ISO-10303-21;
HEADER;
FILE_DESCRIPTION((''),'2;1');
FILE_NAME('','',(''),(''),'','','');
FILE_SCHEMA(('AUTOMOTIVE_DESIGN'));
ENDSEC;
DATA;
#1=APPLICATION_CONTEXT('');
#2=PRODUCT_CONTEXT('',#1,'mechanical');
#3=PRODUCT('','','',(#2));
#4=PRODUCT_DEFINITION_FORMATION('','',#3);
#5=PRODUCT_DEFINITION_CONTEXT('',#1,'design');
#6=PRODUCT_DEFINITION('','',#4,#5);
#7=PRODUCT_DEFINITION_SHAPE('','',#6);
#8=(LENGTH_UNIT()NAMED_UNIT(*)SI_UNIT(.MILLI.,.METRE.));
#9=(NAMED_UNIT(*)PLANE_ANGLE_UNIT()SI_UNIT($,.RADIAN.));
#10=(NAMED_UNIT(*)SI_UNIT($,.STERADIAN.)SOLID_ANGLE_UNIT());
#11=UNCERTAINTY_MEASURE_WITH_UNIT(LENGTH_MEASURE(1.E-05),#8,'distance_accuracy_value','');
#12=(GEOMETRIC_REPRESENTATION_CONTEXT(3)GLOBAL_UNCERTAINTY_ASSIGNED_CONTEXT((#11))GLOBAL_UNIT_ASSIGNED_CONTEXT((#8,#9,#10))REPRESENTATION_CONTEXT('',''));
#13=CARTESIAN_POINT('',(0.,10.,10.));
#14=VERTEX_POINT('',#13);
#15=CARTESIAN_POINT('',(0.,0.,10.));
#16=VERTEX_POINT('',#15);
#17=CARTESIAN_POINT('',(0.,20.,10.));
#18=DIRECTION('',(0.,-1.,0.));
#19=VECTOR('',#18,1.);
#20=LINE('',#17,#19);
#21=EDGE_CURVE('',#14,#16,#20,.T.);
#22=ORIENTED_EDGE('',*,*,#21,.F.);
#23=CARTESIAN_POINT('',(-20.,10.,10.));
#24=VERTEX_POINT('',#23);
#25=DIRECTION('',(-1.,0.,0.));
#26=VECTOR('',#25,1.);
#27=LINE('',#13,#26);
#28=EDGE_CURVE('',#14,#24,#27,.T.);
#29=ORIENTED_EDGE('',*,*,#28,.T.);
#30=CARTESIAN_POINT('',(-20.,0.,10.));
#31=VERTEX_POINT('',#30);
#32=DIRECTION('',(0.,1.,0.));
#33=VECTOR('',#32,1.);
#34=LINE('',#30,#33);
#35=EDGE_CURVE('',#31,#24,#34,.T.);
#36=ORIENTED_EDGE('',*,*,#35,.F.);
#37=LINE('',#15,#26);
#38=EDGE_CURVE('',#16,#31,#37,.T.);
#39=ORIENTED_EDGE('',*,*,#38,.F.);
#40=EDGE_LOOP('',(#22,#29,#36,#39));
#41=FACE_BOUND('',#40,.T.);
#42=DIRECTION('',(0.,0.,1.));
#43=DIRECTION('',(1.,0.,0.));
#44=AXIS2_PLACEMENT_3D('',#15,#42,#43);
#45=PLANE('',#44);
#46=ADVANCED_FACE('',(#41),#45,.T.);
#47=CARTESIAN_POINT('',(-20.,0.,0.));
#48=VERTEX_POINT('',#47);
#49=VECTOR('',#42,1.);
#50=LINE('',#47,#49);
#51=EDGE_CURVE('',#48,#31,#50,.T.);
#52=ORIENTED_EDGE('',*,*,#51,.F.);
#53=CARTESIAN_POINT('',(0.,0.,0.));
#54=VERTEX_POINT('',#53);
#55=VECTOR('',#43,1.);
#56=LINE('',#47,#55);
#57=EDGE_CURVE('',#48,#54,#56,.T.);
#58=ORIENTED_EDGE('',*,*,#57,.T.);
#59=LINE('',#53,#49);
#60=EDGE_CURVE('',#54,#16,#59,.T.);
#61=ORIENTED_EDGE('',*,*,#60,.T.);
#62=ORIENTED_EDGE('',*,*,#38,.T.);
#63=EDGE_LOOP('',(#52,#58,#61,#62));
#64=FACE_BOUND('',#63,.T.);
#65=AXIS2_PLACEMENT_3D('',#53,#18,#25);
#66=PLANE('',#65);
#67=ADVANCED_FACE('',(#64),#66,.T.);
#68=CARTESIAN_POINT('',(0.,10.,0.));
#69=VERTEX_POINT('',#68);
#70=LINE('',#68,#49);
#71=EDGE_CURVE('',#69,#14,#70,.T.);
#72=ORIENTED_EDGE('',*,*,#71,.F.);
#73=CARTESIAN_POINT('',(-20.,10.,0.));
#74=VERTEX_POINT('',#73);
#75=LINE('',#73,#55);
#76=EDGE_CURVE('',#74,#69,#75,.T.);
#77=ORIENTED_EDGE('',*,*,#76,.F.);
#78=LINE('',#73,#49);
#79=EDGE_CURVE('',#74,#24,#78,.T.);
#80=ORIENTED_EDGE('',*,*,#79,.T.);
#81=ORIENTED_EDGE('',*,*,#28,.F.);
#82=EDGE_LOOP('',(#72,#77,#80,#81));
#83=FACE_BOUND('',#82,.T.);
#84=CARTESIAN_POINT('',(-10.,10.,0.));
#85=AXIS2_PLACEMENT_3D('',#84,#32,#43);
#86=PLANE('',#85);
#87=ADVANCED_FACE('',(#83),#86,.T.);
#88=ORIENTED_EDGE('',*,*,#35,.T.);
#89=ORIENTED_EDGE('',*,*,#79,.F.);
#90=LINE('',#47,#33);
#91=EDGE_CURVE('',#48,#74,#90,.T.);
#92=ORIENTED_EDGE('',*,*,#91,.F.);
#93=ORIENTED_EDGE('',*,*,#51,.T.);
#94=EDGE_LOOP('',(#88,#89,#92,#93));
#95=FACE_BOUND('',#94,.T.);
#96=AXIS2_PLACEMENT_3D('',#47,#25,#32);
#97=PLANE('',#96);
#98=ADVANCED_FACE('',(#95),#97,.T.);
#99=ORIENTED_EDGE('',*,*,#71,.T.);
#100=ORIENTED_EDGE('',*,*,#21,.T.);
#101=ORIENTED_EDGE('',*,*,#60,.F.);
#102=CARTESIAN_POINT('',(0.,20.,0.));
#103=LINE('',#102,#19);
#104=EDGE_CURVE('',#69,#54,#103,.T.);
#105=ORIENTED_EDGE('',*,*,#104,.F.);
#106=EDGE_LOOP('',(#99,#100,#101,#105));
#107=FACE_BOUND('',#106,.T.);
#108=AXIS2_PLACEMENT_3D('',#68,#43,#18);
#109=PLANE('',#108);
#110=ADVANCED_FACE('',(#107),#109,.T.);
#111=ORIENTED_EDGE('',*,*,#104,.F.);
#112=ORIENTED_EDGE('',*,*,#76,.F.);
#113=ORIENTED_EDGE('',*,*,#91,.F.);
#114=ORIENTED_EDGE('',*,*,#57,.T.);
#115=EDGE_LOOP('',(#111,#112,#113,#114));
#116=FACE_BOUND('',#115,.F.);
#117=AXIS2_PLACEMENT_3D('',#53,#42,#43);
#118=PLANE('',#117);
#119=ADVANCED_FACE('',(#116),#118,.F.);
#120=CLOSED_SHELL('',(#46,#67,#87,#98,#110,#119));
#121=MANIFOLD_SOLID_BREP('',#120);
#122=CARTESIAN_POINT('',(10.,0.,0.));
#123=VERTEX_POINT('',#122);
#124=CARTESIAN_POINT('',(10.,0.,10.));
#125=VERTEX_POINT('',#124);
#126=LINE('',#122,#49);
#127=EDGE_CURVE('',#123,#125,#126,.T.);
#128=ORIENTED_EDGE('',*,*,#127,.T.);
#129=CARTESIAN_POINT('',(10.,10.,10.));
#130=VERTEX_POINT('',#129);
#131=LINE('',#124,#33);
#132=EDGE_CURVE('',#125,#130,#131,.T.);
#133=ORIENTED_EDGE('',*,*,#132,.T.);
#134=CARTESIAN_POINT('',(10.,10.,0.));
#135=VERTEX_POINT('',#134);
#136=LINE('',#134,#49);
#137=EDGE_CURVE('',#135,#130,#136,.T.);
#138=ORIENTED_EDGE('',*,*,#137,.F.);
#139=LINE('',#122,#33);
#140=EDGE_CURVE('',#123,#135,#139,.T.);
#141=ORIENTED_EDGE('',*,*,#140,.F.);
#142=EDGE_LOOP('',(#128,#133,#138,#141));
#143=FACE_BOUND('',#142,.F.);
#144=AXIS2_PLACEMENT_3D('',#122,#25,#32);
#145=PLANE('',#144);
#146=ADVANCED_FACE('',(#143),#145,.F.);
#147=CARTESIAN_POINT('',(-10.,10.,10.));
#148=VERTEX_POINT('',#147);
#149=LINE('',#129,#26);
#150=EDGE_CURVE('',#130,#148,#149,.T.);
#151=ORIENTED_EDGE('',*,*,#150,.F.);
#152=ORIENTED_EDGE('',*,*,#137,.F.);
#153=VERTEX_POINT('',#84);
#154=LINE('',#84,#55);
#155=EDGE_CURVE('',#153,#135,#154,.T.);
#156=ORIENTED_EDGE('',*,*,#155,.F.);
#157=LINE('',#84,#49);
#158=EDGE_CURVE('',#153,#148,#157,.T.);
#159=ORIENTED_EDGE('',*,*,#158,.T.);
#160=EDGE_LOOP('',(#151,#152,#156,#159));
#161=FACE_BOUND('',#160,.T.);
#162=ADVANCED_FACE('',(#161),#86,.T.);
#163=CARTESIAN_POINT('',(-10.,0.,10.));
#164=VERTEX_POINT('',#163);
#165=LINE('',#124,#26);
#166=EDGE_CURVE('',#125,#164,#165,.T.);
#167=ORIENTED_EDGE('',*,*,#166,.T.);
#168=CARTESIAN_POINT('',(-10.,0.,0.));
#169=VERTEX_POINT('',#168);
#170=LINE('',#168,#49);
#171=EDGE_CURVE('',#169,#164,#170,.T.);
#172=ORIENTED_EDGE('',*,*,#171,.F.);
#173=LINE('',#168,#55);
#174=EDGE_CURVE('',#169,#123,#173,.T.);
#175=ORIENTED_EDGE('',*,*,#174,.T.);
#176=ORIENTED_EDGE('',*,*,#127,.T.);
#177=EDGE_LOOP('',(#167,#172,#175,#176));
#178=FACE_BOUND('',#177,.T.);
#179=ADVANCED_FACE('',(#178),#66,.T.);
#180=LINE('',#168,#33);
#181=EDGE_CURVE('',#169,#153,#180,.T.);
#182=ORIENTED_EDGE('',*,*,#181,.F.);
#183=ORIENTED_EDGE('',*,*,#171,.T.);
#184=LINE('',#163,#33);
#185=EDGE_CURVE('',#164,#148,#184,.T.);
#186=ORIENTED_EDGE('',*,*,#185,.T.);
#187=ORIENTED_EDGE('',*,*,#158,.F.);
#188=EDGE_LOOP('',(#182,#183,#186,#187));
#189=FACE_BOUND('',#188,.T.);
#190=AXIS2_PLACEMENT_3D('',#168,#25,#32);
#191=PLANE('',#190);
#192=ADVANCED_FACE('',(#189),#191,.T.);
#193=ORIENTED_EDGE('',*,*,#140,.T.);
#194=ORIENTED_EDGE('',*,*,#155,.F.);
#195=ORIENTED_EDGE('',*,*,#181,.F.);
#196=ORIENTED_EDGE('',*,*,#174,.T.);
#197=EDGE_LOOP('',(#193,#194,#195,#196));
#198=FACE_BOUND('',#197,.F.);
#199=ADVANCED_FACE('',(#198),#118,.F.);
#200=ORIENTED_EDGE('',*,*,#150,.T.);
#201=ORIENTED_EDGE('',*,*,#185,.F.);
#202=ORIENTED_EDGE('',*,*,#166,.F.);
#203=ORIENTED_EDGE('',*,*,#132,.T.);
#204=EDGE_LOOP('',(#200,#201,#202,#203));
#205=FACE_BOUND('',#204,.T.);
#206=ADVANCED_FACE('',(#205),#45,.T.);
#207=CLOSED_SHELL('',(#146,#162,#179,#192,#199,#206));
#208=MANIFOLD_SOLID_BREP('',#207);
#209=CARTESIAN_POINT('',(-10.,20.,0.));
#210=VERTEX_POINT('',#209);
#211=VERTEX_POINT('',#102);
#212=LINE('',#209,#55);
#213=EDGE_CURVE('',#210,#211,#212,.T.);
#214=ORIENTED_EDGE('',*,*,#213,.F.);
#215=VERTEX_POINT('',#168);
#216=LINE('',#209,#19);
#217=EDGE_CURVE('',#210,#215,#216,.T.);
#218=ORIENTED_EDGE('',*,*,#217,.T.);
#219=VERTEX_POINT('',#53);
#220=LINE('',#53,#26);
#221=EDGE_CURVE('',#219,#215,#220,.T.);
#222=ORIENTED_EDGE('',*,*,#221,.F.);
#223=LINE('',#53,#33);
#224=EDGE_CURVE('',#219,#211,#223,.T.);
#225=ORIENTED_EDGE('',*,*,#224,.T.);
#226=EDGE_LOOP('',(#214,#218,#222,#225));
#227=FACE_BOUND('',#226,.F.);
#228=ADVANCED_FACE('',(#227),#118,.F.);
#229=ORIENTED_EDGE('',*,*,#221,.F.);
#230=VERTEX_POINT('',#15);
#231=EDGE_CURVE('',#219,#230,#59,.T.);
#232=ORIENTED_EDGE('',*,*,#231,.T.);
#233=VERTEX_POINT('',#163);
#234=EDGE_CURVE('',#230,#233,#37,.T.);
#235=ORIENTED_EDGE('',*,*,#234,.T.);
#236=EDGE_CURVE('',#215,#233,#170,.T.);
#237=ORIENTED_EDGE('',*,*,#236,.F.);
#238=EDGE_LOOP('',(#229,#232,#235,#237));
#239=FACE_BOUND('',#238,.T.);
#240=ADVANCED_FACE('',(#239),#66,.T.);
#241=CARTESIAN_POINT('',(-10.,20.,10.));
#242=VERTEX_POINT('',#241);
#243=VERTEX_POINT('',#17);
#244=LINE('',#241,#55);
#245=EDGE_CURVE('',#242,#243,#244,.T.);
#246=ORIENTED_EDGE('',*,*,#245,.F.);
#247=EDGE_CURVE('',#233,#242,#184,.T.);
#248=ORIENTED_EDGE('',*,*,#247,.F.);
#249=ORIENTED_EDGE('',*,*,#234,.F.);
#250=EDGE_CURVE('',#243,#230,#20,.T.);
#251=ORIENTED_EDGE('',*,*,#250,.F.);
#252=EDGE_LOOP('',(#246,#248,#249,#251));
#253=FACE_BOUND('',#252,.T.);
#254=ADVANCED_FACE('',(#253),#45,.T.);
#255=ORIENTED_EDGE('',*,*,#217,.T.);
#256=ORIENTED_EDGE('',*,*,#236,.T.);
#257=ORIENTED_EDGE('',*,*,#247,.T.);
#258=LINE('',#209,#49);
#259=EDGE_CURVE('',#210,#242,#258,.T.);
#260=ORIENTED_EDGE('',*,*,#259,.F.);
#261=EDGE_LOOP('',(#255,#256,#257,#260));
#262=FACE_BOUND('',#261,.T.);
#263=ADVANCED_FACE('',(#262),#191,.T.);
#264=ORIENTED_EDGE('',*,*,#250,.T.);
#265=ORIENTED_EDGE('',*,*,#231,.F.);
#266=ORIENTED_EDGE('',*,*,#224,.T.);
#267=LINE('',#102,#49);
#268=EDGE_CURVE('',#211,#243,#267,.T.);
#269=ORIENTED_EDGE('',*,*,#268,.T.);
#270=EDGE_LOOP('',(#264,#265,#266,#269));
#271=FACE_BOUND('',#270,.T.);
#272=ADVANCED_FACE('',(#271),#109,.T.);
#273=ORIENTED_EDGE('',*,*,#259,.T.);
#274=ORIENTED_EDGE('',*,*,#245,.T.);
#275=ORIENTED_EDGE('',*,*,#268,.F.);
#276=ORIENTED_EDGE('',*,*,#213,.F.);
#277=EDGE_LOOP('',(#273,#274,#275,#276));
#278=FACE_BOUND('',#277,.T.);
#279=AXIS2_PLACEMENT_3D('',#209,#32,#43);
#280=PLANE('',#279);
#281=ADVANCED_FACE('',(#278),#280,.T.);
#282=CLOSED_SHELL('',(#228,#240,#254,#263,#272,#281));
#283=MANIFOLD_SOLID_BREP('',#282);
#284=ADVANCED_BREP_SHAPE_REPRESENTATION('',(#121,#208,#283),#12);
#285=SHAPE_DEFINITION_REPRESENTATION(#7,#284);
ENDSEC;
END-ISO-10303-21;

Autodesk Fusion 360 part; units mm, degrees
sketch "Sketch1" plane through (0, 0, 0) normal (0, 0, 1) x (1, 0, 0)
  line L0 (0, 0) -> (-10, 0)
  line L1 (-10, 0) -> (-10, 20)
  line L2 (-10, 20) -> (0, 20)
  line L3 (0, 20) -> (0, 0)
  line L4 (0, 0) -> (-20, 0)
  line L5 (-20, 0) -> (-20, 10)
  line L6 (-20, 10) -> (0, 10)
  line L7 (0, 10) -> (0, 0)
  line L8 (-10, 0) -> (10, 0)
  line L9 (10, 0) -> (10, 10)
  line L10 (10, 10) -> (-10, 10)
  line L11 (-10, 10) -> (-10, 0)
extrude "Extrude1" add sketch "Sketch1" along normal blind 10 contours L0 L1 L3 L4 L6 L7 L8 L10 L11 | L1 L4 L5 L6 L11 makes body 1
extrude "Extrude2" add sketch "Sketch1" along normal blind 10 separate body contours L0 L1 L3 L4 L6 L7 L8 L10 L11 | L1 L2 L3 L6 L10 makes body 2
extrude "Extrude3" add sketch "Sketch1" along normal blind 10 separate body contours L0 L1 L3 L4 L6 L7 L8 L10 L11 | L3 L7 L8 L9 L10 makes body 3
